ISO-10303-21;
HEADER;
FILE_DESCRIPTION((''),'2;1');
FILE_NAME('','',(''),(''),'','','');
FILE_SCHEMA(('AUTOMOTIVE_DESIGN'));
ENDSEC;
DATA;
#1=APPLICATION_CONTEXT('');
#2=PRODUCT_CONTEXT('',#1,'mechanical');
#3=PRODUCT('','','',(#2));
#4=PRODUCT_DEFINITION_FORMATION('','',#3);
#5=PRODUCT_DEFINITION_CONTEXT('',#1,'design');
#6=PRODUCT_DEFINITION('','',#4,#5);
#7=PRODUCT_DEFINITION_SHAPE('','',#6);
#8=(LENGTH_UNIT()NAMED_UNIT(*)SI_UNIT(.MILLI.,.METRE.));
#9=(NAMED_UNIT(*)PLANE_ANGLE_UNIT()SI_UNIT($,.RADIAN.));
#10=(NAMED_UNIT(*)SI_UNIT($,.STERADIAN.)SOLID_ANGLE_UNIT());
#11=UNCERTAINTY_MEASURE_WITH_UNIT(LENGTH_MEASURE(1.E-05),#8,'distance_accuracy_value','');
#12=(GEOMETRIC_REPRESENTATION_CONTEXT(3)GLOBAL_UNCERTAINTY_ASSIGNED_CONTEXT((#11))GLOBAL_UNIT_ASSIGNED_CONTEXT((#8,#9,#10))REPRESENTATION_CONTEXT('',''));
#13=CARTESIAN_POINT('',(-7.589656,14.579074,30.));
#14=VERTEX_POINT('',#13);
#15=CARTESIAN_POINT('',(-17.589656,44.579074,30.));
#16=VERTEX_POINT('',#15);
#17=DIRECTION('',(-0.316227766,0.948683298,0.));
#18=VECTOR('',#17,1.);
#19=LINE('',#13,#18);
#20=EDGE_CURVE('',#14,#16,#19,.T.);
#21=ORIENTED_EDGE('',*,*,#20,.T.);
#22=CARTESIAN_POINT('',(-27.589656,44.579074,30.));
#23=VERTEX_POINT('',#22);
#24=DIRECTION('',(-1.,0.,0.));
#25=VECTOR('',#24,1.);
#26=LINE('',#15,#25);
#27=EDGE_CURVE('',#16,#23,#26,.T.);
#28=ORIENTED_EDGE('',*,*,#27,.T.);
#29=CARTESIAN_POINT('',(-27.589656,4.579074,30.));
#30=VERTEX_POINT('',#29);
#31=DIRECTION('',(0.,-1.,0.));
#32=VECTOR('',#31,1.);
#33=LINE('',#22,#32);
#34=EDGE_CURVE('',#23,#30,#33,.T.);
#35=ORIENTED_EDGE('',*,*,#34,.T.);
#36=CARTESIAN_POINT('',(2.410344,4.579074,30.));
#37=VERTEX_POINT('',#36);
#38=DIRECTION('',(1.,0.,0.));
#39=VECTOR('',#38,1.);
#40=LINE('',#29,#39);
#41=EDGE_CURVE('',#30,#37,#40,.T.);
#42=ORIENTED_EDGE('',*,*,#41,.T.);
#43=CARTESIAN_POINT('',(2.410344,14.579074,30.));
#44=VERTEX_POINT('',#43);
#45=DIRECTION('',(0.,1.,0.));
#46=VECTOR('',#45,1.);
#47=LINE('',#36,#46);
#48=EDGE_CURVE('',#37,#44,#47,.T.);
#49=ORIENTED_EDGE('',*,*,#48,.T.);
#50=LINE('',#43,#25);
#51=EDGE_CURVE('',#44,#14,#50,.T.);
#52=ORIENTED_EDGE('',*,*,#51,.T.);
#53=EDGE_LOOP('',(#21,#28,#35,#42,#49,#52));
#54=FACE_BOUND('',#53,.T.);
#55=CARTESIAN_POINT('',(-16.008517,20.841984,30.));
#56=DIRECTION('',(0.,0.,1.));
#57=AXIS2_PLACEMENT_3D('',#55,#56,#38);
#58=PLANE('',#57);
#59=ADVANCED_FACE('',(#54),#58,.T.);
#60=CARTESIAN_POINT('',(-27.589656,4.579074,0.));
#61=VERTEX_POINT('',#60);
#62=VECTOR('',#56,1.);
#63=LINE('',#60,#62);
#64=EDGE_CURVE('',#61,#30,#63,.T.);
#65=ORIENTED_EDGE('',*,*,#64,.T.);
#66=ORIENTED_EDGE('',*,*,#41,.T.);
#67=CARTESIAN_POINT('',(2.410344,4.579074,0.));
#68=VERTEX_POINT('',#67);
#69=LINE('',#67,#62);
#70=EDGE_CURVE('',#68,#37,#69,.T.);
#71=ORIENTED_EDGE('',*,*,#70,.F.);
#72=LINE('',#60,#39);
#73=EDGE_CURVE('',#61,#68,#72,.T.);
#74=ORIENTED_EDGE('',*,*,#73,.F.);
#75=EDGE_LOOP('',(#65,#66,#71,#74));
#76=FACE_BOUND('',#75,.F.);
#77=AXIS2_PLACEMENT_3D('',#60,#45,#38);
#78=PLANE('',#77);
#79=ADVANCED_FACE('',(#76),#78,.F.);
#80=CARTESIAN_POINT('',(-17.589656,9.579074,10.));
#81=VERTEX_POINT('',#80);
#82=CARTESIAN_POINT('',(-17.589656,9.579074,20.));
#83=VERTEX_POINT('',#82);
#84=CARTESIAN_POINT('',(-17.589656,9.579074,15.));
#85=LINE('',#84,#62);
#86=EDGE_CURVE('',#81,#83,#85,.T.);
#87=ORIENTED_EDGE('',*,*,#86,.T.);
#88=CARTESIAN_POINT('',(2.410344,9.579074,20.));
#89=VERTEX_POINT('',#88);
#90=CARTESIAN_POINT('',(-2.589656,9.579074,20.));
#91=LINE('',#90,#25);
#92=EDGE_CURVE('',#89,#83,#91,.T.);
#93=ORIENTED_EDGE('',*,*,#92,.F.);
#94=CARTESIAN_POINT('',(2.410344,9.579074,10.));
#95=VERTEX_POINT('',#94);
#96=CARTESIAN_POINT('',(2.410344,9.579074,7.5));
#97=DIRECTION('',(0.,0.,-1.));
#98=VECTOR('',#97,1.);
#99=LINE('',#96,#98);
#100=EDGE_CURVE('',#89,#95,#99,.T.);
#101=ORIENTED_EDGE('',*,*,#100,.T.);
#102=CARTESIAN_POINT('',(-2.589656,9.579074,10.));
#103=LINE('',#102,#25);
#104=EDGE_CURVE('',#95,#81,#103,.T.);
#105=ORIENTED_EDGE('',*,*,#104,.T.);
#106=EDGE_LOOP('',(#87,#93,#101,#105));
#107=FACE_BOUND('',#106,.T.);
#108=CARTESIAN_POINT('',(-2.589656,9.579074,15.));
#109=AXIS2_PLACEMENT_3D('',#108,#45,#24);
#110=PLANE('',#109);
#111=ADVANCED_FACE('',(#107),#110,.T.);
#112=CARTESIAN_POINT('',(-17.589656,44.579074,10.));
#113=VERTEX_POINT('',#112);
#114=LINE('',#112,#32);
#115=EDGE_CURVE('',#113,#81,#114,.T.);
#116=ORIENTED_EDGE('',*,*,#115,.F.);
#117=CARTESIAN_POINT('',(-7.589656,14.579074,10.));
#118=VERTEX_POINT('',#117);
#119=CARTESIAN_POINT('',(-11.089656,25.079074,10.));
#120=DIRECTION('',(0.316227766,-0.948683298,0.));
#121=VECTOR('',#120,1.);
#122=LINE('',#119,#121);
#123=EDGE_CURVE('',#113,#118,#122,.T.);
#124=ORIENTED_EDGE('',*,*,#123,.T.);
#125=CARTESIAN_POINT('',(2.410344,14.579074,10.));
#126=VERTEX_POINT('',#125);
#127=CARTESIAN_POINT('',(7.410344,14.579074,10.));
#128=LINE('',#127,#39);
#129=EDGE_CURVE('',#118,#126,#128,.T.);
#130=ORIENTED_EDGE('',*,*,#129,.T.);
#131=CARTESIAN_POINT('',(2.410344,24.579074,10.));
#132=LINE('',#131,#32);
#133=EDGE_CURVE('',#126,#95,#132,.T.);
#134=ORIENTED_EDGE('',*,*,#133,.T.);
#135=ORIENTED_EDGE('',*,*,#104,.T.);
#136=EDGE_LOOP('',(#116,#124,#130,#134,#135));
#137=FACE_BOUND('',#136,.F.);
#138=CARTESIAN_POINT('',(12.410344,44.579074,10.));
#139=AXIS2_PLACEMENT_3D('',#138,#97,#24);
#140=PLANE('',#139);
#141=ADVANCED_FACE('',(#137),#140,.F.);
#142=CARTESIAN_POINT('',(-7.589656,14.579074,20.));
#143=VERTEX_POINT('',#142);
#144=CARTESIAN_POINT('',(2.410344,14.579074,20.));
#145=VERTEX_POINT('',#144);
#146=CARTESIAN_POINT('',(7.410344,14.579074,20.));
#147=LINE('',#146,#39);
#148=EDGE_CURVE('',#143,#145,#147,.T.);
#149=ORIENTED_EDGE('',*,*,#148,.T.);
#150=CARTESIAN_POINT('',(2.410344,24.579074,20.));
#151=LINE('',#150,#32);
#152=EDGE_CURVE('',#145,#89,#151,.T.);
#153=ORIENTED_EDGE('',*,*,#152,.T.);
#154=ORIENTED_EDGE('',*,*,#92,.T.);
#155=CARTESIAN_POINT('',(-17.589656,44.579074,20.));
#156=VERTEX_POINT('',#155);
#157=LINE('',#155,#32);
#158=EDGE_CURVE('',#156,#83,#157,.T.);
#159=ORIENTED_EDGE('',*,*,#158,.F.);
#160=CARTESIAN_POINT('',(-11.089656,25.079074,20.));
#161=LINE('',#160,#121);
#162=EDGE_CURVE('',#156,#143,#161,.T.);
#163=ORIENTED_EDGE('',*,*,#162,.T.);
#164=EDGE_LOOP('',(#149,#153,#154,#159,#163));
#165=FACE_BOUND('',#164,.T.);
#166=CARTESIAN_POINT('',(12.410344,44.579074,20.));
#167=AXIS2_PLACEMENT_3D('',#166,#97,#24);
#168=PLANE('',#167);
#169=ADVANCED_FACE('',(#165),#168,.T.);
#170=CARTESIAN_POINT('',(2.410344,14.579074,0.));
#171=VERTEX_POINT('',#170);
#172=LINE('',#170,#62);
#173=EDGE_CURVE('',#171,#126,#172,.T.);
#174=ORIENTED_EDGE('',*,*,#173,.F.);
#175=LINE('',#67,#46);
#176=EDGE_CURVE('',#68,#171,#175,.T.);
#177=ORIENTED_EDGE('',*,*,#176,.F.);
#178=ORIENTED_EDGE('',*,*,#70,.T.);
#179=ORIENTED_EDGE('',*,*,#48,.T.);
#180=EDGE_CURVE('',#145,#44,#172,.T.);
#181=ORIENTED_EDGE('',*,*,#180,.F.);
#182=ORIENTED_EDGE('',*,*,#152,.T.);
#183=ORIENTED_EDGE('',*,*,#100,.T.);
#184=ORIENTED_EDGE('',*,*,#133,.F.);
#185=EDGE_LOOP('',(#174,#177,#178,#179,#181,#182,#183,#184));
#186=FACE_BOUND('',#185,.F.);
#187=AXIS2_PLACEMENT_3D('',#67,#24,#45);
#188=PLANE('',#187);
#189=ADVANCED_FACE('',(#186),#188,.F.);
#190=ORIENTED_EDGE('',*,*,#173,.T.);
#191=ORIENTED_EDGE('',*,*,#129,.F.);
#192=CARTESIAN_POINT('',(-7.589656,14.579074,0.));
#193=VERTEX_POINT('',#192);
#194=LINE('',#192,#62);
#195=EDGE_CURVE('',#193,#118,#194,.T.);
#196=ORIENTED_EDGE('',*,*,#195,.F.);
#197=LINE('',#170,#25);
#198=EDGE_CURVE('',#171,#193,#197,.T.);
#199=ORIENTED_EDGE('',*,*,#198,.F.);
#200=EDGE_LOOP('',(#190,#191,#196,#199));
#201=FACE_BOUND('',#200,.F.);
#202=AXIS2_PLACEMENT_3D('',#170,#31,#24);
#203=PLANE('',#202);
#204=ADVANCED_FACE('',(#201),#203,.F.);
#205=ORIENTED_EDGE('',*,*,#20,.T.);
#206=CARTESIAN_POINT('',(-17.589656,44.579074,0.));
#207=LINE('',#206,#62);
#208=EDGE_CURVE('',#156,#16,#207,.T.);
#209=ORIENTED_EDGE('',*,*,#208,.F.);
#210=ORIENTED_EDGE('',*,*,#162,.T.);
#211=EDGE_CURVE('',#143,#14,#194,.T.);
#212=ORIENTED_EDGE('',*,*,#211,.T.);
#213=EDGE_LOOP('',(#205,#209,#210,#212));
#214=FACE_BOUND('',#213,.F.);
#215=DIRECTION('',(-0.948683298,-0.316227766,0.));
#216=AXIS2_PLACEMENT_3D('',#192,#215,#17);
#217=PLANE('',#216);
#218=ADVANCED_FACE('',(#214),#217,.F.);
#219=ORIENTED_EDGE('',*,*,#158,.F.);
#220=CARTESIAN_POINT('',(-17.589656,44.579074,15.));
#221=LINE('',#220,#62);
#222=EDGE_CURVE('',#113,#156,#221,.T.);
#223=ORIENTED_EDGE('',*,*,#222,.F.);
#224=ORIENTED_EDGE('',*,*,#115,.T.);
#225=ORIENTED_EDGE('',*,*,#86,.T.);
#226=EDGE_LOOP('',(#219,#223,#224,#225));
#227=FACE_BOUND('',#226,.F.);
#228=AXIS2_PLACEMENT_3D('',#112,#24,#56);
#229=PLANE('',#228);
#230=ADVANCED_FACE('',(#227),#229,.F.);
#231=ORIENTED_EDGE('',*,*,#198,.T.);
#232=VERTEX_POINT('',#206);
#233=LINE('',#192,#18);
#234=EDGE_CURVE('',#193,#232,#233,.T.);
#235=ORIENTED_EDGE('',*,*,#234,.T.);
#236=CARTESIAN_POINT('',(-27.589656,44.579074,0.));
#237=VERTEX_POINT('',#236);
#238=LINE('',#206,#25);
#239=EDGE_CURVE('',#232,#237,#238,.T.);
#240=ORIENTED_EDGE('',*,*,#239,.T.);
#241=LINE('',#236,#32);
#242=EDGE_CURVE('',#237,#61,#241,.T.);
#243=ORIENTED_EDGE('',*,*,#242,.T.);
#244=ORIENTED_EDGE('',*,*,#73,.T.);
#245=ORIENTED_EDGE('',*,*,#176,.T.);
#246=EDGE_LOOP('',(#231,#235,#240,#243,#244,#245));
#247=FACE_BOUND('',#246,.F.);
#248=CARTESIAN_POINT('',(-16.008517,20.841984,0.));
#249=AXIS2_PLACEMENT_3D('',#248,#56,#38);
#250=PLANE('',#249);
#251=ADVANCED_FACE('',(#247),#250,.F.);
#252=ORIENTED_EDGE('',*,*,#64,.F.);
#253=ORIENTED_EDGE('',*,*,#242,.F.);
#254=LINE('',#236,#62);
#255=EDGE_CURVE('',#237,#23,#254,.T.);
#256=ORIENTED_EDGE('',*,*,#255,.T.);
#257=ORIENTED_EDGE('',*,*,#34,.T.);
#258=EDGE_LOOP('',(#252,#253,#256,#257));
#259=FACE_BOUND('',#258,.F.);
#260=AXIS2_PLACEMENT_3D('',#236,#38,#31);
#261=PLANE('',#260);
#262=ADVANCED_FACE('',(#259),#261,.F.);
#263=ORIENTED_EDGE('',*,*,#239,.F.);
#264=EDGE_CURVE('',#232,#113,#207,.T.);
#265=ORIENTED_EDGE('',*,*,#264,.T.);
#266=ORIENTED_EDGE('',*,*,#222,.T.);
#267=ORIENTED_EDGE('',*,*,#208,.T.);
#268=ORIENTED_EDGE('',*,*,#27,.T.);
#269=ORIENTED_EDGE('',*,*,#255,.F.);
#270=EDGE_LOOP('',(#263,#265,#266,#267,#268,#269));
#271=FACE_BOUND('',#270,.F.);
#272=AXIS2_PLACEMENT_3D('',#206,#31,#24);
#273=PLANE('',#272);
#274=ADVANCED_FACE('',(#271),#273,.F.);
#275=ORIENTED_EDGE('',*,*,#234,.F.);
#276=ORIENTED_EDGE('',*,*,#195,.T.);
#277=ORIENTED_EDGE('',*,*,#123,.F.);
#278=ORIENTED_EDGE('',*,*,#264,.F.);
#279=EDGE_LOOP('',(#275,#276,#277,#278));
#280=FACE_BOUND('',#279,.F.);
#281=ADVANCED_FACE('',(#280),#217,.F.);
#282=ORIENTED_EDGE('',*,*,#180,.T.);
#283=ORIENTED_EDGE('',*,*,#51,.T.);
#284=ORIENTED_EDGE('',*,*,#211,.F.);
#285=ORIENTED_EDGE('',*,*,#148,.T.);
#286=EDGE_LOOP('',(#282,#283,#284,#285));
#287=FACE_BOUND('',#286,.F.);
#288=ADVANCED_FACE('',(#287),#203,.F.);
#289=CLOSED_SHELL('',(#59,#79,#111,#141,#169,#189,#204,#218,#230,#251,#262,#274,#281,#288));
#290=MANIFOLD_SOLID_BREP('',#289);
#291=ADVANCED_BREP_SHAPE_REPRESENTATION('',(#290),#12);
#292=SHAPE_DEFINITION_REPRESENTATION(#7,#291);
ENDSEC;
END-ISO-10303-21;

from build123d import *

# Parameters (mm, degrees)
F1_DEPTH = 30
F2_W     = 30
F2_H     = 10
F3_DEPTH = 35


with BuildPart() as f1:
    # F0 (on Top) → F1 (new body)
    with BuildSketch(Plane.XY):
        Polygon((-17.589656, 44.579074), (-27.589656, 44.579074), (-27.589656, 4.579074), (2.410344, 4.579074), (2.410344, 14.579074), (-7.589656, 14.579074), align=None)
    extrude(amount=F1_DEPTH)

    # F2 (on face) → F3 (cut)
    with BuildSketch(Plane(origin=(0, 44.579074, 0), x_dir=(-1, 0, 0), z_dir=(0, 1, 0))):
        with Locations((2.589656, 15)):
            Rectangle(F2_W, F2_H)
    extrude(amount=-F3_DEPTH, mode=Mode.SUBTRACT)


solid = f1.part
